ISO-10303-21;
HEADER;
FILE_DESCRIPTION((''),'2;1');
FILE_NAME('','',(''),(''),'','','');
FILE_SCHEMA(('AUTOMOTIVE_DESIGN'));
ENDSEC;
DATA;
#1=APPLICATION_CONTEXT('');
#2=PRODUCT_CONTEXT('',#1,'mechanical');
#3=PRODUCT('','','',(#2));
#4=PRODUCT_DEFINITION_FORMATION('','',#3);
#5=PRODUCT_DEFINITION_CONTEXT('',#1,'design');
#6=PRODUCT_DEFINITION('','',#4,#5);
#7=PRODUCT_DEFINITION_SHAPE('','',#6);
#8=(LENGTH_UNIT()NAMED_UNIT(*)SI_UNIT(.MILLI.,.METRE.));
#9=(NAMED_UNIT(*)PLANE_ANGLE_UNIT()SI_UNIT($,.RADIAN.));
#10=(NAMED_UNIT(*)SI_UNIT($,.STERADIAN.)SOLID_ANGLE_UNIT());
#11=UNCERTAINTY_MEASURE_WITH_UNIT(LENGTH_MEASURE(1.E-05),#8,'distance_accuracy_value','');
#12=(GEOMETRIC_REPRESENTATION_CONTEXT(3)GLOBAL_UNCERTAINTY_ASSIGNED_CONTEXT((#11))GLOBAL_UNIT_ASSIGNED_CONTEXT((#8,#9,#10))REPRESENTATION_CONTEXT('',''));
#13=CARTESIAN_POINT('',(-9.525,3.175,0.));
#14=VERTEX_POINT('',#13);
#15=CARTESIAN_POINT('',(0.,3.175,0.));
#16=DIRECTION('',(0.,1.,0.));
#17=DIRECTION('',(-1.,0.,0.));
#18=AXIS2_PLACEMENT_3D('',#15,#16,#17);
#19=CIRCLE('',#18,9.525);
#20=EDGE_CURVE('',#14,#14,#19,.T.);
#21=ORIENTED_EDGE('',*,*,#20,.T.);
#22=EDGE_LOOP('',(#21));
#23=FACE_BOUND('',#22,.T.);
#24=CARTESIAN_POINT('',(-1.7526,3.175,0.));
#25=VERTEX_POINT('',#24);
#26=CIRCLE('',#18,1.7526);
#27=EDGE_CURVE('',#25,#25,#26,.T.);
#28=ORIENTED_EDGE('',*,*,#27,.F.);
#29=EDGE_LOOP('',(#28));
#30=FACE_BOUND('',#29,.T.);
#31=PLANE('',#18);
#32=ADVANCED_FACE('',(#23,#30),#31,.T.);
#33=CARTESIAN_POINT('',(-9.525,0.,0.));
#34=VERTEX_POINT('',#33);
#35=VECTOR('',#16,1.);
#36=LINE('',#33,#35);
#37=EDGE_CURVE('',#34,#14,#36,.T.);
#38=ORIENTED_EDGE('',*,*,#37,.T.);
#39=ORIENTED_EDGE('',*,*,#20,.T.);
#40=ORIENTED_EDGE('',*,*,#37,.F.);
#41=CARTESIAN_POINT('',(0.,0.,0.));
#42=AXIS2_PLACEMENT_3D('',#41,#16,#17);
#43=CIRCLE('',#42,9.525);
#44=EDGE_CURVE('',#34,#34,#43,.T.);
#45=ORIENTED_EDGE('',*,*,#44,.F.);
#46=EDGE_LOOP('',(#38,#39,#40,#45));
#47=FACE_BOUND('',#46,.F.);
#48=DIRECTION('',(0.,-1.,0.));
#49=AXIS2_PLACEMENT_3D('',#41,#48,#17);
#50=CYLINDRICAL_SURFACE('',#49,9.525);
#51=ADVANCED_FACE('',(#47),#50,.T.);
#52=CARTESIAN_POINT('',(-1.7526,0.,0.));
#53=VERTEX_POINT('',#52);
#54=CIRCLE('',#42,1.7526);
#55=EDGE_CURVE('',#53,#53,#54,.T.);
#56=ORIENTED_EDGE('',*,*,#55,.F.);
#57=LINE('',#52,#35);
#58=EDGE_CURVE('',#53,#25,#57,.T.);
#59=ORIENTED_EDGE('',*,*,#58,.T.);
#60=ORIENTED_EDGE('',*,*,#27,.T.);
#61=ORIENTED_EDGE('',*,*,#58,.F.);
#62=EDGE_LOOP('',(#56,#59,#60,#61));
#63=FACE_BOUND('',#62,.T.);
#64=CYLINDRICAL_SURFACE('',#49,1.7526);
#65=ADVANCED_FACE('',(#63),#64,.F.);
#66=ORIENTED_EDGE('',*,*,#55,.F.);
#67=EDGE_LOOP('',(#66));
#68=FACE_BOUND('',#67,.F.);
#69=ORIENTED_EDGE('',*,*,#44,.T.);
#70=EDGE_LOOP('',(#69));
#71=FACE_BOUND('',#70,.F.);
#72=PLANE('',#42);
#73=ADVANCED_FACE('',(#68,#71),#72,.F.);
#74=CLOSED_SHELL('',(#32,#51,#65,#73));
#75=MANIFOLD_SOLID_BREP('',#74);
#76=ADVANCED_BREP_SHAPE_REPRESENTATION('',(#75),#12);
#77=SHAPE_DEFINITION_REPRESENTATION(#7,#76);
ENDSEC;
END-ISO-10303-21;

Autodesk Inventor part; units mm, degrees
ref_plane "YZ Plane" through (0, 0, 0) normal (1, 0, 0) x (0, 1, 0)
ref_plane "XZ Plane" through (0, 0, 0) normal (0, 1, 0) x (-1, 0, 0)
ref_plane "XY Plane" through (0, 0, 0) normal (0, 0, 1) x (1, 0, 0)
sketch "Sketch1" plane through (0, 0, 0) normal (0, 1, 0) x (-1, 0, 0)
  circle A0 centre (0, 0) radius 1.7526
  circle A1 centre (0, 0) radius 9.525
  dimension "d0" = 3.5052
  dimension "d1" = 19.05
extrude "Extrusion1" add sketch "Sketch1" along normal blind 3.175
properties part number "Pusher - Spacer" material "Nylon 6/6"
